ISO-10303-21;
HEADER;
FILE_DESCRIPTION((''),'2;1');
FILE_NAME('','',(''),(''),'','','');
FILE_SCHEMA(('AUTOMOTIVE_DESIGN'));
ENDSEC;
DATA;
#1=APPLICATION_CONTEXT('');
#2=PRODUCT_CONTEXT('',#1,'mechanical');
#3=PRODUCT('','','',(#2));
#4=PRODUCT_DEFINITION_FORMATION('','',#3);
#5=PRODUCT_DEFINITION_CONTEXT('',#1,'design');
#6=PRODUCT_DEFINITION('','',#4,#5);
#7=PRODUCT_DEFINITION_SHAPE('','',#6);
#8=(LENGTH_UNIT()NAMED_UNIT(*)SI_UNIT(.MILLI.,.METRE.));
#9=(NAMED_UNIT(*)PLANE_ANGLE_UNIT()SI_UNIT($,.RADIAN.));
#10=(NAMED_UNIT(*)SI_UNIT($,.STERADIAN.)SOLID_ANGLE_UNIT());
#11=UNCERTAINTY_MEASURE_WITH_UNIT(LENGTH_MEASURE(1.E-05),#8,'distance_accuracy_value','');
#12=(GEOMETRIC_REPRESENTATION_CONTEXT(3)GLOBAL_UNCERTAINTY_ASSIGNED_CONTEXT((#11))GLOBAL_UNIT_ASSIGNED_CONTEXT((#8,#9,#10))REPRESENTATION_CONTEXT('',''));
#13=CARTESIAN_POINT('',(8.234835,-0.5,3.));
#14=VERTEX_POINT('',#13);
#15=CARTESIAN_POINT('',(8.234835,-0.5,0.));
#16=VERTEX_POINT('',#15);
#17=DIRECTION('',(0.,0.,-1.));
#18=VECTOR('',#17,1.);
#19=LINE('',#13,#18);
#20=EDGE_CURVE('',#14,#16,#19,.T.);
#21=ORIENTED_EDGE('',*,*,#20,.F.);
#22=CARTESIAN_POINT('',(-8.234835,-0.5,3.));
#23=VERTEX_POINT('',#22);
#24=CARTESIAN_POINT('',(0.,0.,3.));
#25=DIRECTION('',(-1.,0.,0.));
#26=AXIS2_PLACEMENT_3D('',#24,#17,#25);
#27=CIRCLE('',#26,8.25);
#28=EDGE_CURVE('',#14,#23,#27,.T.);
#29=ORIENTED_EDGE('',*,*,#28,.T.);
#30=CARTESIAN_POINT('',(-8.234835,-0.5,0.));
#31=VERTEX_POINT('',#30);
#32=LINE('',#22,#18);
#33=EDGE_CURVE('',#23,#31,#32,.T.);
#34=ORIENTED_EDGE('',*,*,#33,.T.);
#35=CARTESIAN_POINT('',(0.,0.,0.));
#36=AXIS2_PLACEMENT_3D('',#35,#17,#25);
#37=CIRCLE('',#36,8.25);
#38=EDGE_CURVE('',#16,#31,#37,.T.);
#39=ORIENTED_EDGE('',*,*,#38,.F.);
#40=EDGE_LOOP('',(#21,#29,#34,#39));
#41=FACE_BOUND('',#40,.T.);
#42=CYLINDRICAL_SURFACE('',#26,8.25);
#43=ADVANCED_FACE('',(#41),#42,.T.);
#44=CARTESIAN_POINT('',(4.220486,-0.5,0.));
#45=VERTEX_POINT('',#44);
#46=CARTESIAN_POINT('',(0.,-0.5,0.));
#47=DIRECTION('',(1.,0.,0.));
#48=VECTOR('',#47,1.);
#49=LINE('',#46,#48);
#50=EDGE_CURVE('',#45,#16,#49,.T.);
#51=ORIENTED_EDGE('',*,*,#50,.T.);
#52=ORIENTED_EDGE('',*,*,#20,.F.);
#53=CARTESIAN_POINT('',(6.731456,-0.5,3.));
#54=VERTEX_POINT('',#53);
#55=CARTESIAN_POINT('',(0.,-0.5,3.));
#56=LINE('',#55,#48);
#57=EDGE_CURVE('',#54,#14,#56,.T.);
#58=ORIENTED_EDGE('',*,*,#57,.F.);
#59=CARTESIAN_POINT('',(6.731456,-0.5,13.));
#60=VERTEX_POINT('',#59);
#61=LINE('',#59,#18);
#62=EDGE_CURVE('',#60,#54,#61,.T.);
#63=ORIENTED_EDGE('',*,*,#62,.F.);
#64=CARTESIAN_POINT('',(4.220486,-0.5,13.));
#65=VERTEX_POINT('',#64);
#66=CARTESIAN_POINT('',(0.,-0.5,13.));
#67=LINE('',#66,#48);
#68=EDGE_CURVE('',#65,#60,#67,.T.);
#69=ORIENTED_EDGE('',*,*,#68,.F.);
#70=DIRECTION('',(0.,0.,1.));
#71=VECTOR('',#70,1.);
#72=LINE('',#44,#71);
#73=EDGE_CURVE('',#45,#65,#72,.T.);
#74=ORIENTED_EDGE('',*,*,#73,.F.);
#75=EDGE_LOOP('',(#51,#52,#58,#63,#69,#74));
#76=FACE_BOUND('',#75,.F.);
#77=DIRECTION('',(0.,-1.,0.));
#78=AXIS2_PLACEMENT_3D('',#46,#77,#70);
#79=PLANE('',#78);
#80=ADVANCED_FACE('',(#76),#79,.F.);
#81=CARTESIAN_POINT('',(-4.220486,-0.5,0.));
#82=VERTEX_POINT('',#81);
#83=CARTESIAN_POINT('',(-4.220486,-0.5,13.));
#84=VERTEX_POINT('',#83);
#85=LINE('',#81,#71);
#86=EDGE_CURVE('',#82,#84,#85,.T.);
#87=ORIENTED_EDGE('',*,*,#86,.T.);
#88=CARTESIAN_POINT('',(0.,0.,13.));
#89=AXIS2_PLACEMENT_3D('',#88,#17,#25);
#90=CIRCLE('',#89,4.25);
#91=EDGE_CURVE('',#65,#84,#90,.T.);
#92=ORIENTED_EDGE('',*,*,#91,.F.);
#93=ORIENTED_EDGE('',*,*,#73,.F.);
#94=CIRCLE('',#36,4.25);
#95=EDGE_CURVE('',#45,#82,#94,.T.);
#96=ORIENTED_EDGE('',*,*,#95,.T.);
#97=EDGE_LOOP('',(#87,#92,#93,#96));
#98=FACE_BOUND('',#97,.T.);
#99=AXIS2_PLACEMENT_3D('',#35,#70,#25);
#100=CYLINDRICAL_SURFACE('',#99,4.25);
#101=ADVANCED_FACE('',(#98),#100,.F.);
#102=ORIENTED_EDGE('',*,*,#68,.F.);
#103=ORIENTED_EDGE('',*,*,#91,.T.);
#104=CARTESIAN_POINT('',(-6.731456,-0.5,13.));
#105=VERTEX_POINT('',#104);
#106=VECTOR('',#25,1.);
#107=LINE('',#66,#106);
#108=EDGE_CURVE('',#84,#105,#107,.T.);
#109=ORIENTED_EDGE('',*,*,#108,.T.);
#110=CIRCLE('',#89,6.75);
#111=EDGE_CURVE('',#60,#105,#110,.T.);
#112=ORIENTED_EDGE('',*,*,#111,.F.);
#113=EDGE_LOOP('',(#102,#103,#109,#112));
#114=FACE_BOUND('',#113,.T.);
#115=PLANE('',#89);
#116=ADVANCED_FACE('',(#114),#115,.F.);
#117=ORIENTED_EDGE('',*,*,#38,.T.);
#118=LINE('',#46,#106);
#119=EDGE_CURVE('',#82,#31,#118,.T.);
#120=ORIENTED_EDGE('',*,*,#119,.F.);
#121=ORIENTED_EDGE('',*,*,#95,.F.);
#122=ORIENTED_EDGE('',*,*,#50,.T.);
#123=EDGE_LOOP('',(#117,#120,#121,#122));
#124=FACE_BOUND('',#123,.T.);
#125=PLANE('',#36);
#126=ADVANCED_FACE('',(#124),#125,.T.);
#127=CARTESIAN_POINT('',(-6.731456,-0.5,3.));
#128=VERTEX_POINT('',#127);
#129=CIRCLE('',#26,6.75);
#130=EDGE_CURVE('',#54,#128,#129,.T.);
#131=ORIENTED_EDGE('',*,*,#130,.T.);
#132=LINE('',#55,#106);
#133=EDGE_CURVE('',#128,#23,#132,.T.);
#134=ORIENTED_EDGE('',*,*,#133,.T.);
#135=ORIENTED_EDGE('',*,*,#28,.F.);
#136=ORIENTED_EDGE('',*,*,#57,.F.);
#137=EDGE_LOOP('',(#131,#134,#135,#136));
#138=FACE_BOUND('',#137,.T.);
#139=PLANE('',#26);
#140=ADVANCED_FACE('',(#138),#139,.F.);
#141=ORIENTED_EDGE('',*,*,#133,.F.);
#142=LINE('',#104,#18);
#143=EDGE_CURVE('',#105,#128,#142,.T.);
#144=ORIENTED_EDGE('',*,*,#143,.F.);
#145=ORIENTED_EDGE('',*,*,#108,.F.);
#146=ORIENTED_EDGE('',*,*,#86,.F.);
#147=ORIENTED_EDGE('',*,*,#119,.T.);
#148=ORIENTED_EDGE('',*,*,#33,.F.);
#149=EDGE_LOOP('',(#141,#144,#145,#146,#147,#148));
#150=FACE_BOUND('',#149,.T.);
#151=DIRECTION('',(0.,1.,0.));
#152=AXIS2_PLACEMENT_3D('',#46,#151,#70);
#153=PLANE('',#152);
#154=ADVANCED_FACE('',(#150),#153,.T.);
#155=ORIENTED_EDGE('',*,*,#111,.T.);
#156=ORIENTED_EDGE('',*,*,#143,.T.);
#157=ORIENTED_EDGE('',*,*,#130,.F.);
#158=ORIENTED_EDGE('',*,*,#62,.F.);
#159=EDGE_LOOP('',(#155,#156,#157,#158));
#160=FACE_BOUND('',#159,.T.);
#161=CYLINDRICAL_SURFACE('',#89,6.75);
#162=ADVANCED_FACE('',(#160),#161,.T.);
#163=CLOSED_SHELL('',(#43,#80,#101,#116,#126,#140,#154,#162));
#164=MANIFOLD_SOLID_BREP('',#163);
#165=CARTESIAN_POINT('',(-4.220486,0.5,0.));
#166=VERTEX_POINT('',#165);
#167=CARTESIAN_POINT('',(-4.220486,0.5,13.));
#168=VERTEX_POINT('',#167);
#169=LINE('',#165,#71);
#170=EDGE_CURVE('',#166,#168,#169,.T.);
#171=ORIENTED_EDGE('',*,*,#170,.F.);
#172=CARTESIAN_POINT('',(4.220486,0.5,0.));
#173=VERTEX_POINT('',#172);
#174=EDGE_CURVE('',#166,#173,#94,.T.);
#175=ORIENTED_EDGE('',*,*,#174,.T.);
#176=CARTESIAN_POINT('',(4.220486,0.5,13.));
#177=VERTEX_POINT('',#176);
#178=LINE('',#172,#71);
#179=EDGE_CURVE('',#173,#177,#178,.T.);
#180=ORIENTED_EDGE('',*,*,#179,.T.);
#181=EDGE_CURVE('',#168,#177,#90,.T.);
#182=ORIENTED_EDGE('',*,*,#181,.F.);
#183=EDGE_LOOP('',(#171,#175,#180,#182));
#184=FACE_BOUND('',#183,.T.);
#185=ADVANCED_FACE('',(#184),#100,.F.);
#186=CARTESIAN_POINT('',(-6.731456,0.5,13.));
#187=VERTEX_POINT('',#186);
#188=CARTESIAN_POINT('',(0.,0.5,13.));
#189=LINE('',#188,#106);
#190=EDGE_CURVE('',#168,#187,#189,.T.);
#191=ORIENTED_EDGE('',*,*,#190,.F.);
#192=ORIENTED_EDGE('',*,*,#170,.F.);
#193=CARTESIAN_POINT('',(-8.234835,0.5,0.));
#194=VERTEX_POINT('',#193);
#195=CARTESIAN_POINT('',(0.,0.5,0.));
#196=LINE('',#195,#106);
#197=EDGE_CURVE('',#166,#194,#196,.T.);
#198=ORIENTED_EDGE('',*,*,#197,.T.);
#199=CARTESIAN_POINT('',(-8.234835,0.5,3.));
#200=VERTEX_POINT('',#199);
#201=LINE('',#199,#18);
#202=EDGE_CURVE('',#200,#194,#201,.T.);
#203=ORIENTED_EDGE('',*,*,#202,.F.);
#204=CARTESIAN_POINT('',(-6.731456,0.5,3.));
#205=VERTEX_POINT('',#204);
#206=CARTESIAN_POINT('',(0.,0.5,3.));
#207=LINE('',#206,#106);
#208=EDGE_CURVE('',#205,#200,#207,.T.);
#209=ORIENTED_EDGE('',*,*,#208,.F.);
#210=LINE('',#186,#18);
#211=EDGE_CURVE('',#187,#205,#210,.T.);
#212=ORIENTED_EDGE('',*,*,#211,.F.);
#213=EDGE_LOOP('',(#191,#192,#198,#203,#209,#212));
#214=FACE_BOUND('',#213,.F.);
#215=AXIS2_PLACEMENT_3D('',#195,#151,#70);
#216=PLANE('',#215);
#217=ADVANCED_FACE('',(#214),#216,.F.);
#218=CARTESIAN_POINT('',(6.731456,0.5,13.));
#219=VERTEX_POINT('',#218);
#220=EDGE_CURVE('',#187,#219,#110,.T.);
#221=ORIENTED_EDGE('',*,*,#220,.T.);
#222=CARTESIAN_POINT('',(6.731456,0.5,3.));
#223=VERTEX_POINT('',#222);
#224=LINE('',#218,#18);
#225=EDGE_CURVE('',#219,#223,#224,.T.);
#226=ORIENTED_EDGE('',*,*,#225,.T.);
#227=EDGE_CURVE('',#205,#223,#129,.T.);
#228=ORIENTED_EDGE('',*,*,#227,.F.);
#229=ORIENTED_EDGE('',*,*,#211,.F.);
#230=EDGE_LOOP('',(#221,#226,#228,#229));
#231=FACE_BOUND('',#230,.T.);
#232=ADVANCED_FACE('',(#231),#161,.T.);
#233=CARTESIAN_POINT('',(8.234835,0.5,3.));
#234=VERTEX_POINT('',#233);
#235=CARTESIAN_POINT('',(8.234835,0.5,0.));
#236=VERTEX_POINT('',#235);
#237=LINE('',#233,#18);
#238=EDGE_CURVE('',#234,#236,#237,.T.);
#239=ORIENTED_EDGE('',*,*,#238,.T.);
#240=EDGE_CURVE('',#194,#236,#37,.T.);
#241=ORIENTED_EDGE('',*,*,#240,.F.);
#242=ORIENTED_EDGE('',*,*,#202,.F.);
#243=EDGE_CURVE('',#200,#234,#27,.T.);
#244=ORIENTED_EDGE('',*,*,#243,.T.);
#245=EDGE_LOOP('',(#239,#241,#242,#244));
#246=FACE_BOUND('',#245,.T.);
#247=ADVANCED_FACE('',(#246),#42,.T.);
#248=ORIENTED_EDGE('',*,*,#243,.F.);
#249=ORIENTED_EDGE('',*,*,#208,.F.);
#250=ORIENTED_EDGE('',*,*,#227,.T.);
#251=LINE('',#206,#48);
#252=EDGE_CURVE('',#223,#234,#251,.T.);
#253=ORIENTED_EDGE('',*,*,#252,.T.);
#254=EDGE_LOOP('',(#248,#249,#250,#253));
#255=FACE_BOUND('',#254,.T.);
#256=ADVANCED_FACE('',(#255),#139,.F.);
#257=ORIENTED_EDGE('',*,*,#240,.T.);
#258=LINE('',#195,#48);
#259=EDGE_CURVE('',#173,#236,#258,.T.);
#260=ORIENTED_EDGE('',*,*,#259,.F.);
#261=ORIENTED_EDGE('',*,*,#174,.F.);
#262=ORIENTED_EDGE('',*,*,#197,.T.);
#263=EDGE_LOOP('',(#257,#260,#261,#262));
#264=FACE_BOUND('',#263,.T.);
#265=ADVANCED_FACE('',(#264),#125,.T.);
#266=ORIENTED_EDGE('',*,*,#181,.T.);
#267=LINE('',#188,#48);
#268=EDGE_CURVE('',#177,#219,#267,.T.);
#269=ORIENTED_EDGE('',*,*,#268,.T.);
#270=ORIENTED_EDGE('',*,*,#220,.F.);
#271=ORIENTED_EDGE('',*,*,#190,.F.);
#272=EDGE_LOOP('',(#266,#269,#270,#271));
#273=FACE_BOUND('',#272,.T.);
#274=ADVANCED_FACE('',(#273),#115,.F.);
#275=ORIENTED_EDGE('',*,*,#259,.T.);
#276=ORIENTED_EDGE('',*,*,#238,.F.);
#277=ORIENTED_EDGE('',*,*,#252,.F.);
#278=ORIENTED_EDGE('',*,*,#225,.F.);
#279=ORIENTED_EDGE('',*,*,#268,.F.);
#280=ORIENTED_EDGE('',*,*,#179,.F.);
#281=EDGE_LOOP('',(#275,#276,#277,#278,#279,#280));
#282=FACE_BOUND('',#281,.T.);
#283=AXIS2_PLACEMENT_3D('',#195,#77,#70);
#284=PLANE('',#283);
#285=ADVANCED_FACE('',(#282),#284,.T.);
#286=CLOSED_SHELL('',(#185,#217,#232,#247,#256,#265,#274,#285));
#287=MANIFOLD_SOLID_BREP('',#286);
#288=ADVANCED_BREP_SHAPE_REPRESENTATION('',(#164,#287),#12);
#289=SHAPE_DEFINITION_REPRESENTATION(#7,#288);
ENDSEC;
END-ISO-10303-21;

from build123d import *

# Parameters (mm, degrees)
F2_W     = 1
F2_H     = 13
F3_DEPTH = 25.4
F4_DEPTH = 25.4


with BuildPart() as f1:
    # F0 (on Front) → F1 (revolve)
    with BuildSketch(Plane.XZ):
        Polygon((-8.25, 3), (-8.25, 0), (-4.25, 0), (-4.25, 13), (-6.75, 13), (-6.75, 3), align=None)
    revolve(axis=Axis((0, 0, 6.5), (0, 0, -1)))

    # F2 (on Right) → F3 (cut)
    with BuildSketch(Plane.YZ):
        with Locations((0, 6.5)):
            Rectangle(F2_W, F2_H)
    extrude(amount=-F3_DEPTH, mode=Mode.SUBTRACT)

    # F2 (on Right) → F4 (cut)
    with BuildSketch(Plane.YZ):
        with Locations((0, 6.5)):
            Rectangle(F2_W, F2_H)
    extrude(amount=F4_DEPTH, mode=Mode.SUBTRACT)


solid = f1.part
